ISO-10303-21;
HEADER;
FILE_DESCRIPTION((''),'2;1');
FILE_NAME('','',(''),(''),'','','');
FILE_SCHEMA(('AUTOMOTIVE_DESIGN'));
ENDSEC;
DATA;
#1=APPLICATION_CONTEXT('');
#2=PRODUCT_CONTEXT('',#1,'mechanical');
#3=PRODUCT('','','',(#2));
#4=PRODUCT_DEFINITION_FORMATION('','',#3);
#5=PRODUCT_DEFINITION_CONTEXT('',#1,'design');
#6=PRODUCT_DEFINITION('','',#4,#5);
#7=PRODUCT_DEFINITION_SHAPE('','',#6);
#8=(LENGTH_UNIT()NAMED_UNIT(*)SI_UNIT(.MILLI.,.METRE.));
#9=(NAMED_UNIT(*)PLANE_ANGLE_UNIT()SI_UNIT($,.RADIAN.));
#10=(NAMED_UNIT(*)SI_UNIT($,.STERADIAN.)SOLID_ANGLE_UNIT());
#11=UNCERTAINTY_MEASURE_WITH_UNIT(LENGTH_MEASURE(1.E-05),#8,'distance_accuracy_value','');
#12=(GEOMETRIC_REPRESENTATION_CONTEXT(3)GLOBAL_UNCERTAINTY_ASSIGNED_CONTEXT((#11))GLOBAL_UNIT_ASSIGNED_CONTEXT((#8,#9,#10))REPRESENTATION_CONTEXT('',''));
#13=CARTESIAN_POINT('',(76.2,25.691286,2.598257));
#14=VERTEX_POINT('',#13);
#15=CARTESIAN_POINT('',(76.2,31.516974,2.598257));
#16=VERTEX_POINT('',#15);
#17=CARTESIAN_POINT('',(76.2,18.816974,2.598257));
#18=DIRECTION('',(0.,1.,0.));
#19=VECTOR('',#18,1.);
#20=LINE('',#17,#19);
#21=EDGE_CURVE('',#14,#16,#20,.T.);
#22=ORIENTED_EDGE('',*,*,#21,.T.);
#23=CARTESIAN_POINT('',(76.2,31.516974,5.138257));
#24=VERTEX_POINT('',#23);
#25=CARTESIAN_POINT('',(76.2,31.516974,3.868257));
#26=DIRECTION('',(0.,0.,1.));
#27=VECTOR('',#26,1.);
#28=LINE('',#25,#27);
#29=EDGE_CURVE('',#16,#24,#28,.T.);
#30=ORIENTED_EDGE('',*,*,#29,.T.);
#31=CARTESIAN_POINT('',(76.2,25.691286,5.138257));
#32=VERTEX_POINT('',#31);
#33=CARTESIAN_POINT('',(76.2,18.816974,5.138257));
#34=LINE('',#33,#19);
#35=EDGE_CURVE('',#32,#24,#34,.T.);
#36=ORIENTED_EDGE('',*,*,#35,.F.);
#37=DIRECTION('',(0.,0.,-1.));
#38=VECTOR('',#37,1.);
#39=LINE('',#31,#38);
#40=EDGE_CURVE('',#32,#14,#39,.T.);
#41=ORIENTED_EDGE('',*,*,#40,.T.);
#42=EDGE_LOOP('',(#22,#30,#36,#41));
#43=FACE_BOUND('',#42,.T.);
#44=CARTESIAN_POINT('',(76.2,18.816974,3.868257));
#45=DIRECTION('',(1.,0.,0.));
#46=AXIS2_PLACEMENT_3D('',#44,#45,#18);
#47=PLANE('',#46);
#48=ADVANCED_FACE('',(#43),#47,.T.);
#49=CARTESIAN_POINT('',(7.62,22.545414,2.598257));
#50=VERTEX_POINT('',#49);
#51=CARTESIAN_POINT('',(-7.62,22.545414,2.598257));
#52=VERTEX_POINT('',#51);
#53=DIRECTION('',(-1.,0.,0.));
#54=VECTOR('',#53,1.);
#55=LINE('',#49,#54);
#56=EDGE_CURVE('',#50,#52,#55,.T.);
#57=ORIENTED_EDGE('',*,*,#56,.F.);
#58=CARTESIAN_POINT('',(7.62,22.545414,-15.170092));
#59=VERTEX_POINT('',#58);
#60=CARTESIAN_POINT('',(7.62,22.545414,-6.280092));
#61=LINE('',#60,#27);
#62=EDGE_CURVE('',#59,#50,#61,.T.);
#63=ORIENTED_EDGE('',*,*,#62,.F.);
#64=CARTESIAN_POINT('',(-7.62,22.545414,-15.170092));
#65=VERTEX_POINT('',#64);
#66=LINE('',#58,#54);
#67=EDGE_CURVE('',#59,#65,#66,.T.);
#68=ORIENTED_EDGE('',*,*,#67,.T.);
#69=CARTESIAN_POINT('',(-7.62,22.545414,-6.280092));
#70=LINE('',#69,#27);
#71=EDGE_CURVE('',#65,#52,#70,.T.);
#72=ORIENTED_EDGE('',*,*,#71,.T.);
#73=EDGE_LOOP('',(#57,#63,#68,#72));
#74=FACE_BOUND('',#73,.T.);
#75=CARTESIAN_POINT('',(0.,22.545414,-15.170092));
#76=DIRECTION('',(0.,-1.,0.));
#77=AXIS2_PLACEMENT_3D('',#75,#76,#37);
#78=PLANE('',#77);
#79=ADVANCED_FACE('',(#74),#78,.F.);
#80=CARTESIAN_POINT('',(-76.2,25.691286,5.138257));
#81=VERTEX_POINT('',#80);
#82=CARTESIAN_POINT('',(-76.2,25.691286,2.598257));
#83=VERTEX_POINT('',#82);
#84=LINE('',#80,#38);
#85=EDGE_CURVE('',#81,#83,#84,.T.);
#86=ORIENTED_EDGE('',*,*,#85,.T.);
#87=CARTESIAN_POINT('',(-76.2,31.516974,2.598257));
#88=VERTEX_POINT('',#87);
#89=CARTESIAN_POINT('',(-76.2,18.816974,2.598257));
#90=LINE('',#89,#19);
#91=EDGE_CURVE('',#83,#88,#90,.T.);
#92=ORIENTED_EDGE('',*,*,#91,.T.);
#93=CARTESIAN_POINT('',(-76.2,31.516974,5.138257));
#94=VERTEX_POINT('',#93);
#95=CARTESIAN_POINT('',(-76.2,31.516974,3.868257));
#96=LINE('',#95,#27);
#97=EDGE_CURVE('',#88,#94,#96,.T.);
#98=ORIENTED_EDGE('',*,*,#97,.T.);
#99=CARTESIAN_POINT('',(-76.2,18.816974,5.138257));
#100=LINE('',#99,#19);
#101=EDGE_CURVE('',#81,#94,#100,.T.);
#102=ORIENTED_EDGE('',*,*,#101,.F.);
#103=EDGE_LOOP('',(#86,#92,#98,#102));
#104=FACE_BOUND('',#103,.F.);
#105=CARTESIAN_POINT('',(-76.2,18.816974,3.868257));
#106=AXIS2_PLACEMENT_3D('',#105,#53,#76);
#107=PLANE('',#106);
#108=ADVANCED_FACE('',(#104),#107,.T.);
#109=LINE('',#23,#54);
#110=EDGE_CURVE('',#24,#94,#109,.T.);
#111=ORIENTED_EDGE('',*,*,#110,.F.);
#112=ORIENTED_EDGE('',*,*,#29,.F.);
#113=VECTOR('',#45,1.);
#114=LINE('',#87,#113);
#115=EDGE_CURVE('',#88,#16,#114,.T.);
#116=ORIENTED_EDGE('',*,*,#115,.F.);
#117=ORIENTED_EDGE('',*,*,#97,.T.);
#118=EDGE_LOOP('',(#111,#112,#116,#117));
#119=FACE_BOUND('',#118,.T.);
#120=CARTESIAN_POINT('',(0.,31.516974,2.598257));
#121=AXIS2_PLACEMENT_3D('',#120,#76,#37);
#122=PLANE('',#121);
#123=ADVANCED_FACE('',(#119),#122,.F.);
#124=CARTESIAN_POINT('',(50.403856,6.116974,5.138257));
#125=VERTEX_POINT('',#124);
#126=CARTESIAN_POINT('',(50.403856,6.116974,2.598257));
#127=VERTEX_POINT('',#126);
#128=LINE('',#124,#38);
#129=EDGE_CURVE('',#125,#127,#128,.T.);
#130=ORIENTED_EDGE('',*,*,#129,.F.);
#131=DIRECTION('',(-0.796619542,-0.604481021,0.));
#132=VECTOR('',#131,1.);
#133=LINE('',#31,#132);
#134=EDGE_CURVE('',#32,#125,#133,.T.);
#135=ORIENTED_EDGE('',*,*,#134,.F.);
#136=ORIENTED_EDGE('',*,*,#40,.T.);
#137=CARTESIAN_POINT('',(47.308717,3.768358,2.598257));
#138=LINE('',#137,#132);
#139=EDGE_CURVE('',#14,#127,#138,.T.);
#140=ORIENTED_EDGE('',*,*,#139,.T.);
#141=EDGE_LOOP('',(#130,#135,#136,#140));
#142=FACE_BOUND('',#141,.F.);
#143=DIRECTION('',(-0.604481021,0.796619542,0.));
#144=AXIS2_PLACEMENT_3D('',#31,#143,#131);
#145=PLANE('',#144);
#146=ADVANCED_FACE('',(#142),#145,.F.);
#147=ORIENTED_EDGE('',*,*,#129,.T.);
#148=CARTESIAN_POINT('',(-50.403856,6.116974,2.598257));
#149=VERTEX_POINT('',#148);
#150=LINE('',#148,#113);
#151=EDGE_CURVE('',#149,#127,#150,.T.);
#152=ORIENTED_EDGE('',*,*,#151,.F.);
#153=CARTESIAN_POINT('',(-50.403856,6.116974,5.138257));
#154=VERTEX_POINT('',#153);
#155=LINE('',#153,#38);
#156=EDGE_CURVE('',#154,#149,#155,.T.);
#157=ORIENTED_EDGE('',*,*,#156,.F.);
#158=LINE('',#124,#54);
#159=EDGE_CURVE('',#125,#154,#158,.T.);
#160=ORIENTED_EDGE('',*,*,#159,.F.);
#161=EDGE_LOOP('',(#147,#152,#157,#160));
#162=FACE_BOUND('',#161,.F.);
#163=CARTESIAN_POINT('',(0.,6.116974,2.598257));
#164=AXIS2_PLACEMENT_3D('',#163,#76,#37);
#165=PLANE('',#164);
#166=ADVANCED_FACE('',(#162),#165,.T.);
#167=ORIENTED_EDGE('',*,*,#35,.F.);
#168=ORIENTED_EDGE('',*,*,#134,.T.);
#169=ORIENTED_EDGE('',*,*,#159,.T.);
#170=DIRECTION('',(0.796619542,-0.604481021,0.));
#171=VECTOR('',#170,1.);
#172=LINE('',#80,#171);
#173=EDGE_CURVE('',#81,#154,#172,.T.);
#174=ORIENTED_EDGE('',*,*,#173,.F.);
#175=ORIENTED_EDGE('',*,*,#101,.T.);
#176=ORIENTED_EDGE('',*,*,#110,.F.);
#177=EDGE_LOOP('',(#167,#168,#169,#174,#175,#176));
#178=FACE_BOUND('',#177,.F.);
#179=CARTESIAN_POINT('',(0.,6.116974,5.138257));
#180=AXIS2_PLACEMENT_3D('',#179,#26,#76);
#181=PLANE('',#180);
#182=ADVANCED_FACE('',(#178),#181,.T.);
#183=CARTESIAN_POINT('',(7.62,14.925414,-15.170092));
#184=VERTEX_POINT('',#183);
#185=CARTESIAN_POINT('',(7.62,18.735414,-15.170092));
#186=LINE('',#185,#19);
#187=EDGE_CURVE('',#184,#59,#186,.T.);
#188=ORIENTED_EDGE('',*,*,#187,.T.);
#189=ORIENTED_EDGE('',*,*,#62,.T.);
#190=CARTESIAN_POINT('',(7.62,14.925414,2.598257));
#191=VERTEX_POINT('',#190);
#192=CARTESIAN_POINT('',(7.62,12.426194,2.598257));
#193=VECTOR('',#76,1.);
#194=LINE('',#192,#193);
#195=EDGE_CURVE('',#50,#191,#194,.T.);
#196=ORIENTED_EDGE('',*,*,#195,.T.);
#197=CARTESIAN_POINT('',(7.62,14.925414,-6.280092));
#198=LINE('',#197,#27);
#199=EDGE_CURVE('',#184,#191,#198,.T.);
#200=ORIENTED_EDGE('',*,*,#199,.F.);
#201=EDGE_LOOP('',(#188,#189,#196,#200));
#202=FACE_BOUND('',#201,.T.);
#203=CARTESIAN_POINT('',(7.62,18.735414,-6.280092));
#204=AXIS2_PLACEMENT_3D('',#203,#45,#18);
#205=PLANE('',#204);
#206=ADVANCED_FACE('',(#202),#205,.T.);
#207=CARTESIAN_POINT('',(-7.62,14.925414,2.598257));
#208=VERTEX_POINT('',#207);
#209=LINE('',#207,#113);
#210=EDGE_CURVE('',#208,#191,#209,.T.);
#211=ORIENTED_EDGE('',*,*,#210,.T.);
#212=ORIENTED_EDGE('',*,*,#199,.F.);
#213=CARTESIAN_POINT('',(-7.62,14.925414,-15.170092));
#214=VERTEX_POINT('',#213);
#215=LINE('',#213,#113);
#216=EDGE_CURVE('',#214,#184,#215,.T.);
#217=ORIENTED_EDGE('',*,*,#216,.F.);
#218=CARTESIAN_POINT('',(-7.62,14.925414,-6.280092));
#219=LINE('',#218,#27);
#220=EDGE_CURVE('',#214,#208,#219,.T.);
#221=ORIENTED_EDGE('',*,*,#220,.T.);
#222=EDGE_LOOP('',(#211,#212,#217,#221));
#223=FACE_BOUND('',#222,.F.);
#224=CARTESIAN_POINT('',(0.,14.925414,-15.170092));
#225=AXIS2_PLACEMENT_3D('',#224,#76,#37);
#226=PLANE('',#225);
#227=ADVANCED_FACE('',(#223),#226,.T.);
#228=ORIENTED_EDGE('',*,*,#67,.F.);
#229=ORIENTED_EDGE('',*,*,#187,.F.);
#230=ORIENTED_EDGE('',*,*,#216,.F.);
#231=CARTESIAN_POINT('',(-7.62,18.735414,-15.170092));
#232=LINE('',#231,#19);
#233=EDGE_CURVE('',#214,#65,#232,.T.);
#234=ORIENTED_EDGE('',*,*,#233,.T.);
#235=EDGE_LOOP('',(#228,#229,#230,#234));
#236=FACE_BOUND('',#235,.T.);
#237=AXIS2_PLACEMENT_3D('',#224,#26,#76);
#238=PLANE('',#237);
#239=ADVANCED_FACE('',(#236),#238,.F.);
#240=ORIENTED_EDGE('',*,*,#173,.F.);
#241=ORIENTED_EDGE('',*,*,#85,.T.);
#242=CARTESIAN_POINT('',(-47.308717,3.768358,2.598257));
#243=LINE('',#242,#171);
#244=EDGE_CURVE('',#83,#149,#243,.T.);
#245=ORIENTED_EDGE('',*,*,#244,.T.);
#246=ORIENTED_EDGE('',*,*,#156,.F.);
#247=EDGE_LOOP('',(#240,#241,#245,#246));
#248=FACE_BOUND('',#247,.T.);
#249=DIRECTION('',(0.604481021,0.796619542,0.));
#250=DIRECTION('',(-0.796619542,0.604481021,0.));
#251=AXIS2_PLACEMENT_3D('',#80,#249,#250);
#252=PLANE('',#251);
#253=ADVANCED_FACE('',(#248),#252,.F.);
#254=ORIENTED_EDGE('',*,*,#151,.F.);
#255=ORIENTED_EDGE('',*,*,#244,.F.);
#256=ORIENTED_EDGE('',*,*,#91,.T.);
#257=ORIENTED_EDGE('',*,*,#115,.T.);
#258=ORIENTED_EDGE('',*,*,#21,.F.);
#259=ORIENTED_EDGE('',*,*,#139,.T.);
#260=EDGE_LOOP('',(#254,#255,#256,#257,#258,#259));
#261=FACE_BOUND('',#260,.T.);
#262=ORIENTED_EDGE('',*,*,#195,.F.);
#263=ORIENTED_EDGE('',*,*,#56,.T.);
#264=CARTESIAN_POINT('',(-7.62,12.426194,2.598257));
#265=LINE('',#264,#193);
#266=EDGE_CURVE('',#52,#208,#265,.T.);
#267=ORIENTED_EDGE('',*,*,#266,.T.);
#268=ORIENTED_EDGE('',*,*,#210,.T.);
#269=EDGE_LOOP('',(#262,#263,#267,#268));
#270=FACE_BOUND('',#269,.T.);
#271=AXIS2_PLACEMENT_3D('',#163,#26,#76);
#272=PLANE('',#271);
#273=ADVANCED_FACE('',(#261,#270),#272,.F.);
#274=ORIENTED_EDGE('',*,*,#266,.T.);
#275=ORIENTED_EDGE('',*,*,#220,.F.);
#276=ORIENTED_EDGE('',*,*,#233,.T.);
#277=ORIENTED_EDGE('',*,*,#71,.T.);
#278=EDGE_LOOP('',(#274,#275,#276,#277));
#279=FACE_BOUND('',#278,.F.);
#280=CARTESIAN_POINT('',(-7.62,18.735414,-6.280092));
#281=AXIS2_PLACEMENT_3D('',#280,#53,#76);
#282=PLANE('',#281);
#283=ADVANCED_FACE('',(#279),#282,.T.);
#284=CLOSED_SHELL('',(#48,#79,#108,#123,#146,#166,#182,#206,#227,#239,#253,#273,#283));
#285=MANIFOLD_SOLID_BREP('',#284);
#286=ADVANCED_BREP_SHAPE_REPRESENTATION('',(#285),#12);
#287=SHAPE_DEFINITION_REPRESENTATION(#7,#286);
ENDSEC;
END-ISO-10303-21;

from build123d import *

# Parameters (mm, degrees)
F0_W     = 7.62
F0_H     = 17.78
F1_DEPTH = 7.62
F2_W     = 25.4
F2_H     = 2.54
F3_DEPTH = 76.2
F5_DEPTH = 50.8


with BuildPart() as f1:
    # F0 (on Right) → F1 (new body)
    with BuildSketch(Plane.YZ):
        with Locations((18.735414, -6.280092)):
            Rectangle(F0_W, F0_H)
    extrude(amount=F1_DEPTH)

    # F2 (on Right) → F3 (join)
    with BuildSketch(Plane.YZ):
        with Locations((18.816974, 3.868257)):
            Rectangle(F2_W, F2_H)
    extrude(amount=F3_DEPTH)

    # F4 (on face) → F5 (cut)
    with BuildSketch(Plane.XY.offset(5.138257)):
        Polygon((76.2, 6.116974), (76.2, 25.691286), (50.403856, 6.116974), align=None)
    extrude(amount=-F5_DEPTH, mode=Mode.SUBTRACT)

    # F6: F1 across plane


with BuildPart() as f1_1:
    add(f1.part)
    add(f1.part.mirror(Plane.YZ))


solid = f1_1.part
